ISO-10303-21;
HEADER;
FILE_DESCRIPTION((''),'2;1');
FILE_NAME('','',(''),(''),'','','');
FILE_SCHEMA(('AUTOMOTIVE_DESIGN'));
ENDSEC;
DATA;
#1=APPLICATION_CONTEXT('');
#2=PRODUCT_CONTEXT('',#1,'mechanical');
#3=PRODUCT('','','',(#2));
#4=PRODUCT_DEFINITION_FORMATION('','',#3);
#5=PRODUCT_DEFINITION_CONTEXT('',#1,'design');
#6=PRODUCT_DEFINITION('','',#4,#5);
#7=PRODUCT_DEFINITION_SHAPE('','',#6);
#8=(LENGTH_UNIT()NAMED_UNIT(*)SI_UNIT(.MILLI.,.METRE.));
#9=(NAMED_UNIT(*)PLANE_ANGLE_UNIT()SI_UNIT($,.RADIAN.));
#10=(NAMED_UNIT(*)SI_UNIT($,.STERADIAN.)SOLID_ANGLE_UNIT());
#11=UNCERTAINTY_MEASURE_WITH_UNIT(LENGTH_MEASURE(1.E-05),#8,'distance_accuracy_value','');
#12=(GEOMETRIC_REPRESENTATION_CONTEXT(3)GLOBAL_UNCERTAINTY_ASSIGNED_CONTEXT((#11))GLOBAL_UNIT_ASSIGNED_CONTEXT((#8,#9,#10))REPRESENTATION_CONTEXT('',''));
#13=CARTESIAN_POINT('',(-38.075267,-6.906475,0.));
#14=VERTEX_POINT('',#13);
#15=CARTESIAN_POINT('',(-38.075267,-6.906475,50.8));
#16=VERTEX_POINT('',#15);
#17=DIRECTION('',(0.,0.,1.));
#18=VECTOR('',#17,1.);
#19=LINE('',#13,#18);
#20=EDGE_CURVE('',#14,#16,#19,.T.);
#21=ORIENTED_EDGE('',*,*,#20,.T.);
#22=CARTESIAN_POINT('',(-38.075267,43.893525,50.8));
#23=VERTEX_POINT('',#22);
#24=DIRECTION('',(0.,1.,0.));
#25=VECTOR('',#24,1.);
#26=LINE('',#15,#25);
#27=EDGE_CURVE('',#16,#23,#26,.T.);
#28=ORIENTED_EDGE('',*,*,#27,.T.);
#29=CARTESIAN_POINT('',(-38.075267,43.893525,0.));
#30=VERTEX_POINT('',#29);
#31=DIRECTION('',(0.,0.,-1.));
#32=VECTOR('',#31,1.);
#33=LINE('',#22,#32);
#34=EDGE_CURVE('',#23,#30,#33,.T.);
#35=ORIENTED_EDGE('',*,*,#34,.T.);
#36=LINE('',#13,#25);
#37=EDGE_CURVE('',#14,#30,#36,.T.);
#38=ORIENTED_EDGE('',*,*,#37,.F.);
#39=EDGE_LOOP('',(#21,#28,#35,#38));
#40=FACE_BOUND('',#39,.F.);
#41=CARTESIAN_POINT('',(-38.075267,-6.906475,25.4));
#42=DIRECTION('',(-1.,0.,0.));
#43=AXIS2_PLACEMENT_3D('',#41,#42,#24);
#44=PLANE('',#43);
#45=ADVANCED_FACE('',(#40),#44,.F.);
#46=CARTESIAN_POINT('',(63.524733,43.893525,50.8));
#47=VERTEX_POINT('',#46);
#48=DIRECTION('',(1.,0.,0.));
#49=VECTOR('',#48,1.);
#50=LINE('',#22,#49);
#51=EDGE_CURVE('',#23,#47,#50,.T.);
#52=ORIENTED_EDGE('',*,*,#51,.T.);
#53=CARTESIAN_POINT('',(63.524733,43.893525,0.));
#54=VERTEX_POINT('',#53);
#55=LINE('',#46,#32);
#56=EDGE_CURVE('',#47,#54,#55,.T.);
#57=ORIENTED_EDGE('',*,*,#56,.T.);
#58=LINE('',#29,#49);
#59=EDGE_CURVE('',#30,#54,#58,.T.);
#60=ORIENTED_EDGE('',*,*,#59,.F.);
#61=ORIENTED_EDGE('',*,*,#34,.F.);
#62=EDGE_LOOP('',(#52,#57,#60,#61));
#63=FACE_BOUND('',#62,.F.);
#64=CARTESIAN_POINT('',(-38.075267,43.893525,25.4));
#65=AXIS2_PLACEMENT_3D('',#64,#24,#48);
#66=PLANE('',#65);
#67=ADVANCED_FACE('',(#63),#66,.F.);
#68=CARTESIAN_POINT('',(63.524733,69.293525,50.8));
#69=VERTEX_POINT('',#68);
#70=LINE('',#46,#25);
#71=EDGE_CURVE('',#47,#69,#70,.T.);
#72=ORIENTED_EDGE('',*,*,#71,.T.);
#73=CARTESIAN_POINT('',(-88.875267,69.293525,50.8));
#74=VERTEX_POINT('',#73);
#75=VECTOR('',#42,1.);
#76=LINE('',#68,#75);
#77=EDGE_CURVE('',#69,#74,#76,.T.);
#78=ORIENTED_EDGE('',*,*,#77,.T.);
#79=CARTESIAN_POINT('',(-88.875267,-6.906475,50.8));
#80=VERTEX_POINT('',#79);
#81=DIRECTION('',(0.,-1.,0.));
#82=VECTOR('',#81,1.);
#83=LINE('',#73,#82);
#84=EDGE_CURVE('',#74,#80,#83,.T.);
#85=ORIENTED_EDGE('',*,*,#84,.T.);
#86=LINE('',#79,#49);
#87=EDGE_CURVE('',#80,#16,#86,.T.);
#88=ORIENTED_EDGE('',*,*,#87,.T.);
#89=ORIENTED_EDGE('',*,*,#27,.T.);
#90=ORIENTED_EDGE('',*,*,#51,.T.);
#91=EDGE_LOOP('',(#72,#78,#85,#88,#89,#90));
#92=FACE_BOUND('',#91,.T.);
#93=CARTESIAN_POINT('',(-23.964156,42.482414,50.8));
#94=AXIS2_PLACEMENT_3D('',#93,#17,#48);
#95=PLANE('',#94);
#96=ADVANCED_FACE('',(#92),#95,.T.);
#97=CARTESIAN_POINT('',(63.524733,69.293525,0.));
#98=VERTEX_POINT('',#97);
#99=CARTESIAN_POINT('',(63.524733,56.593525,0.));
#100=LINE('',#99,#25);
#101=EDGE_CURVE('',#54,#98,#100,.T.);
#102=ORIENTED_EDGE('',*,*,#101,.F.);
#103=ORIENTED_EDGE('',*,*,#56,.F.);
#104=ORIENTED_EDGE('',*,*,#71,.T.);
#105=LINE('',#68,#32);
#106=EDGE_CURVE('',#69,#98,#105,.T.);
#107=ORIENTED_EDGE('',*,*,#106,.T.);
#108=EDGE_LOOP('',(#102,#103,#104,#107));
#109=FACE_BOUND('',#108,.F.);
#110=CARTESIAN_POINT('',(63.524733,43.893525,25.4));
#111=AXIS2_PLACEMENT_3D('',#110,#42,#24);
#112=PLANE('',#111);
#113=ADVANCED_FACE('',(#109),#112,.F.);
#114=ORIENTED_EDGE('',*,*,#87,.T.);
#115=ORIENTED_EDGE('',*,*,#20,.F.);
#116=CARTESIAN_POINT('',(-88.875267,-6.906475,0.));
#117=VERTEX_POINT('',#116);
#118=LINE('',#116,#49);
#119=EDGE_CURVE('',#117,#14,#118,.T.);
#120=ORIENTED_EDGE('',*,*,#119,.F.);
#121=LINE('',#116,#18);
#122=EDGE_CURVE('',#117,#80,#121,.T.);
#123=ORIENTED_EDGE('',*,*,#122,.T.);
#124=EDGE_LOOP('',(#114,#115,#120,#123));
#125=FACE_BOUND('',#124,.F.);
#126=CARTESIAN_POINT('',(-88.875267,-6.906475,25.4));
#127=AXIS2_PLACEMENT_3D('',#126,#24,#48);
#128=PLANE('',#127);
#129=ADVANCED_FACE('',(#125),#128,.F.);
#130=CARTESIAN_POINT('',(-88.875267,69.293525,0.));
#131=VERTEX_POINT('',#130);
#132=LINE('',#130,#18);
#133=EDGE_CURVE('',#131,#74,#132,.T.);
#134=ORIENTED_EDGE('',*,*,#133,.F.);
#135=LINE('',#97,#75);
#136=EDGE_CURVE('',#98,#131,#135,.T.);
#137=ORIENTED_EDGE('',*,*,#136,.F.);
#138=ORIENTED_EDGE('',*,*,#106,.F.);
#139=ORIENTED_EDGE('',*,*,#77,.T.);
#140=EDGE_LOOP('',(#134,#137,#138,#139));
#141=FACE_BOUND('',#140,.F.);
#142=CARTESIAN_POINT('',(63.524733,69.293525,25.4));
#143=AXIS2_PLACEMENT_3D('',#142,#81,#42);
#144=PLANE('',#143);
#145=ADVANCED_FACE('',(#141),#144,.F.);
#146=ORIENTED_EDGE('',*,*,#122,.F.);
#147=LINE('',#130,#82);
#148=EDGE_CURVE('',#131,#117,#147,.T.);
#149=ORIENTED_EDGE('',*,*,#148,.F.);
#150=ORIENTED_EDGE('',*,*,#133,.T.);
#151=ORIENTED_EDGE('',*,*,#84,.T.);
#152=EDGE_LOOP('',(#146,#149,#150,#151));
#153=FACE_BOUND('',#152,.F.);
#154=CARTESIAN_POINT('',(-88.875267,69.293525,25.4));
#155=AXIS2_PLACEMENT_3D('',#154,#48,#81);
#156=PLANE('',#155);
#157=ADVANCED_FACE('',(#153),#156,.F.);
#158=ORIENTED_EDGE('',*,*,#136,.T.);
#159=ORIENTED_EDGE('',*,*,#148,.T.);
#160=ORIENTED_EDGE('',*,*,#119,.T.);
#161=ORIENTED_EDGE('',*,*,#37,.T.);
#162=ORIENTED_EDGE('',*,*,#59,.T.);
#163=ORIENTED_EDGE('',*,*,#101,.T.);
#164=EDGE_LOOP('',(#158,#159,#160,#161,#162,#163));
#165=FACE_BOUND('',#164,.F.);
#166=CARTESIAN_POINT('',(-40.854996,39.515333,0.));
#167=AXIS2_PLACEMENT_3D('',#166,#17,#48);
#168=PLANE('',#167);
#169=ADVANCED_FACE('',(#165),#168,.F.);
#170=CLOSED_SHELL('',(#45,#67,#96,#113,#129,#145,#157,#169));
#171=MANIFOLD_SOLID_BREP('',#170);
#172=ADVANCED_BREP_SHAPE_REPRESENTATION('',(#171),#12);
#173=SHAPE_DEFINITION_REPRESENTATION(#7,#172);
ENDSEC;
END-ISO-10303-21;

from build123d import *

# Parameters (mm, degrees)
F0_W     = 39.715842
F0_H     = 25.4
F1_DEPTH = 25.4
F2_DEPTH = 25.4


with BuildPart() as f1:
    # F0 (on Top) → F1 (new body)
    with BuildSketch(Plane.XY):
        Polygon((23.808891, 69.293525), (-88.875267, 69.293525), (-88.875267, -6.906475), (-38.075267, -6.906475), (-38.075267, 43.893525), (23.808891, 43.893525), align=None)
        with Locations((43.666812, 56.593525)):
            Rectangle(F0_W, F0_H)
    extrude(amount=F1_DEPTH)

    # F1_face (on face) → F2 (join)
    with BuildSketch(Plane(origin=(-32.995267, 41.353525, 25.4), x_dir=(1, 0, 0), z_dir=(0, 0, 1))):
        Polygon((96.52, 27.94), (-55.88, 27.94), (-55.88, -48.26), (-5.08, -48.26), (-5.08, 2.54), (96.52, 2.54), align=None)
    extrude(amount=F2_DEPTH)


solid = f1.part
